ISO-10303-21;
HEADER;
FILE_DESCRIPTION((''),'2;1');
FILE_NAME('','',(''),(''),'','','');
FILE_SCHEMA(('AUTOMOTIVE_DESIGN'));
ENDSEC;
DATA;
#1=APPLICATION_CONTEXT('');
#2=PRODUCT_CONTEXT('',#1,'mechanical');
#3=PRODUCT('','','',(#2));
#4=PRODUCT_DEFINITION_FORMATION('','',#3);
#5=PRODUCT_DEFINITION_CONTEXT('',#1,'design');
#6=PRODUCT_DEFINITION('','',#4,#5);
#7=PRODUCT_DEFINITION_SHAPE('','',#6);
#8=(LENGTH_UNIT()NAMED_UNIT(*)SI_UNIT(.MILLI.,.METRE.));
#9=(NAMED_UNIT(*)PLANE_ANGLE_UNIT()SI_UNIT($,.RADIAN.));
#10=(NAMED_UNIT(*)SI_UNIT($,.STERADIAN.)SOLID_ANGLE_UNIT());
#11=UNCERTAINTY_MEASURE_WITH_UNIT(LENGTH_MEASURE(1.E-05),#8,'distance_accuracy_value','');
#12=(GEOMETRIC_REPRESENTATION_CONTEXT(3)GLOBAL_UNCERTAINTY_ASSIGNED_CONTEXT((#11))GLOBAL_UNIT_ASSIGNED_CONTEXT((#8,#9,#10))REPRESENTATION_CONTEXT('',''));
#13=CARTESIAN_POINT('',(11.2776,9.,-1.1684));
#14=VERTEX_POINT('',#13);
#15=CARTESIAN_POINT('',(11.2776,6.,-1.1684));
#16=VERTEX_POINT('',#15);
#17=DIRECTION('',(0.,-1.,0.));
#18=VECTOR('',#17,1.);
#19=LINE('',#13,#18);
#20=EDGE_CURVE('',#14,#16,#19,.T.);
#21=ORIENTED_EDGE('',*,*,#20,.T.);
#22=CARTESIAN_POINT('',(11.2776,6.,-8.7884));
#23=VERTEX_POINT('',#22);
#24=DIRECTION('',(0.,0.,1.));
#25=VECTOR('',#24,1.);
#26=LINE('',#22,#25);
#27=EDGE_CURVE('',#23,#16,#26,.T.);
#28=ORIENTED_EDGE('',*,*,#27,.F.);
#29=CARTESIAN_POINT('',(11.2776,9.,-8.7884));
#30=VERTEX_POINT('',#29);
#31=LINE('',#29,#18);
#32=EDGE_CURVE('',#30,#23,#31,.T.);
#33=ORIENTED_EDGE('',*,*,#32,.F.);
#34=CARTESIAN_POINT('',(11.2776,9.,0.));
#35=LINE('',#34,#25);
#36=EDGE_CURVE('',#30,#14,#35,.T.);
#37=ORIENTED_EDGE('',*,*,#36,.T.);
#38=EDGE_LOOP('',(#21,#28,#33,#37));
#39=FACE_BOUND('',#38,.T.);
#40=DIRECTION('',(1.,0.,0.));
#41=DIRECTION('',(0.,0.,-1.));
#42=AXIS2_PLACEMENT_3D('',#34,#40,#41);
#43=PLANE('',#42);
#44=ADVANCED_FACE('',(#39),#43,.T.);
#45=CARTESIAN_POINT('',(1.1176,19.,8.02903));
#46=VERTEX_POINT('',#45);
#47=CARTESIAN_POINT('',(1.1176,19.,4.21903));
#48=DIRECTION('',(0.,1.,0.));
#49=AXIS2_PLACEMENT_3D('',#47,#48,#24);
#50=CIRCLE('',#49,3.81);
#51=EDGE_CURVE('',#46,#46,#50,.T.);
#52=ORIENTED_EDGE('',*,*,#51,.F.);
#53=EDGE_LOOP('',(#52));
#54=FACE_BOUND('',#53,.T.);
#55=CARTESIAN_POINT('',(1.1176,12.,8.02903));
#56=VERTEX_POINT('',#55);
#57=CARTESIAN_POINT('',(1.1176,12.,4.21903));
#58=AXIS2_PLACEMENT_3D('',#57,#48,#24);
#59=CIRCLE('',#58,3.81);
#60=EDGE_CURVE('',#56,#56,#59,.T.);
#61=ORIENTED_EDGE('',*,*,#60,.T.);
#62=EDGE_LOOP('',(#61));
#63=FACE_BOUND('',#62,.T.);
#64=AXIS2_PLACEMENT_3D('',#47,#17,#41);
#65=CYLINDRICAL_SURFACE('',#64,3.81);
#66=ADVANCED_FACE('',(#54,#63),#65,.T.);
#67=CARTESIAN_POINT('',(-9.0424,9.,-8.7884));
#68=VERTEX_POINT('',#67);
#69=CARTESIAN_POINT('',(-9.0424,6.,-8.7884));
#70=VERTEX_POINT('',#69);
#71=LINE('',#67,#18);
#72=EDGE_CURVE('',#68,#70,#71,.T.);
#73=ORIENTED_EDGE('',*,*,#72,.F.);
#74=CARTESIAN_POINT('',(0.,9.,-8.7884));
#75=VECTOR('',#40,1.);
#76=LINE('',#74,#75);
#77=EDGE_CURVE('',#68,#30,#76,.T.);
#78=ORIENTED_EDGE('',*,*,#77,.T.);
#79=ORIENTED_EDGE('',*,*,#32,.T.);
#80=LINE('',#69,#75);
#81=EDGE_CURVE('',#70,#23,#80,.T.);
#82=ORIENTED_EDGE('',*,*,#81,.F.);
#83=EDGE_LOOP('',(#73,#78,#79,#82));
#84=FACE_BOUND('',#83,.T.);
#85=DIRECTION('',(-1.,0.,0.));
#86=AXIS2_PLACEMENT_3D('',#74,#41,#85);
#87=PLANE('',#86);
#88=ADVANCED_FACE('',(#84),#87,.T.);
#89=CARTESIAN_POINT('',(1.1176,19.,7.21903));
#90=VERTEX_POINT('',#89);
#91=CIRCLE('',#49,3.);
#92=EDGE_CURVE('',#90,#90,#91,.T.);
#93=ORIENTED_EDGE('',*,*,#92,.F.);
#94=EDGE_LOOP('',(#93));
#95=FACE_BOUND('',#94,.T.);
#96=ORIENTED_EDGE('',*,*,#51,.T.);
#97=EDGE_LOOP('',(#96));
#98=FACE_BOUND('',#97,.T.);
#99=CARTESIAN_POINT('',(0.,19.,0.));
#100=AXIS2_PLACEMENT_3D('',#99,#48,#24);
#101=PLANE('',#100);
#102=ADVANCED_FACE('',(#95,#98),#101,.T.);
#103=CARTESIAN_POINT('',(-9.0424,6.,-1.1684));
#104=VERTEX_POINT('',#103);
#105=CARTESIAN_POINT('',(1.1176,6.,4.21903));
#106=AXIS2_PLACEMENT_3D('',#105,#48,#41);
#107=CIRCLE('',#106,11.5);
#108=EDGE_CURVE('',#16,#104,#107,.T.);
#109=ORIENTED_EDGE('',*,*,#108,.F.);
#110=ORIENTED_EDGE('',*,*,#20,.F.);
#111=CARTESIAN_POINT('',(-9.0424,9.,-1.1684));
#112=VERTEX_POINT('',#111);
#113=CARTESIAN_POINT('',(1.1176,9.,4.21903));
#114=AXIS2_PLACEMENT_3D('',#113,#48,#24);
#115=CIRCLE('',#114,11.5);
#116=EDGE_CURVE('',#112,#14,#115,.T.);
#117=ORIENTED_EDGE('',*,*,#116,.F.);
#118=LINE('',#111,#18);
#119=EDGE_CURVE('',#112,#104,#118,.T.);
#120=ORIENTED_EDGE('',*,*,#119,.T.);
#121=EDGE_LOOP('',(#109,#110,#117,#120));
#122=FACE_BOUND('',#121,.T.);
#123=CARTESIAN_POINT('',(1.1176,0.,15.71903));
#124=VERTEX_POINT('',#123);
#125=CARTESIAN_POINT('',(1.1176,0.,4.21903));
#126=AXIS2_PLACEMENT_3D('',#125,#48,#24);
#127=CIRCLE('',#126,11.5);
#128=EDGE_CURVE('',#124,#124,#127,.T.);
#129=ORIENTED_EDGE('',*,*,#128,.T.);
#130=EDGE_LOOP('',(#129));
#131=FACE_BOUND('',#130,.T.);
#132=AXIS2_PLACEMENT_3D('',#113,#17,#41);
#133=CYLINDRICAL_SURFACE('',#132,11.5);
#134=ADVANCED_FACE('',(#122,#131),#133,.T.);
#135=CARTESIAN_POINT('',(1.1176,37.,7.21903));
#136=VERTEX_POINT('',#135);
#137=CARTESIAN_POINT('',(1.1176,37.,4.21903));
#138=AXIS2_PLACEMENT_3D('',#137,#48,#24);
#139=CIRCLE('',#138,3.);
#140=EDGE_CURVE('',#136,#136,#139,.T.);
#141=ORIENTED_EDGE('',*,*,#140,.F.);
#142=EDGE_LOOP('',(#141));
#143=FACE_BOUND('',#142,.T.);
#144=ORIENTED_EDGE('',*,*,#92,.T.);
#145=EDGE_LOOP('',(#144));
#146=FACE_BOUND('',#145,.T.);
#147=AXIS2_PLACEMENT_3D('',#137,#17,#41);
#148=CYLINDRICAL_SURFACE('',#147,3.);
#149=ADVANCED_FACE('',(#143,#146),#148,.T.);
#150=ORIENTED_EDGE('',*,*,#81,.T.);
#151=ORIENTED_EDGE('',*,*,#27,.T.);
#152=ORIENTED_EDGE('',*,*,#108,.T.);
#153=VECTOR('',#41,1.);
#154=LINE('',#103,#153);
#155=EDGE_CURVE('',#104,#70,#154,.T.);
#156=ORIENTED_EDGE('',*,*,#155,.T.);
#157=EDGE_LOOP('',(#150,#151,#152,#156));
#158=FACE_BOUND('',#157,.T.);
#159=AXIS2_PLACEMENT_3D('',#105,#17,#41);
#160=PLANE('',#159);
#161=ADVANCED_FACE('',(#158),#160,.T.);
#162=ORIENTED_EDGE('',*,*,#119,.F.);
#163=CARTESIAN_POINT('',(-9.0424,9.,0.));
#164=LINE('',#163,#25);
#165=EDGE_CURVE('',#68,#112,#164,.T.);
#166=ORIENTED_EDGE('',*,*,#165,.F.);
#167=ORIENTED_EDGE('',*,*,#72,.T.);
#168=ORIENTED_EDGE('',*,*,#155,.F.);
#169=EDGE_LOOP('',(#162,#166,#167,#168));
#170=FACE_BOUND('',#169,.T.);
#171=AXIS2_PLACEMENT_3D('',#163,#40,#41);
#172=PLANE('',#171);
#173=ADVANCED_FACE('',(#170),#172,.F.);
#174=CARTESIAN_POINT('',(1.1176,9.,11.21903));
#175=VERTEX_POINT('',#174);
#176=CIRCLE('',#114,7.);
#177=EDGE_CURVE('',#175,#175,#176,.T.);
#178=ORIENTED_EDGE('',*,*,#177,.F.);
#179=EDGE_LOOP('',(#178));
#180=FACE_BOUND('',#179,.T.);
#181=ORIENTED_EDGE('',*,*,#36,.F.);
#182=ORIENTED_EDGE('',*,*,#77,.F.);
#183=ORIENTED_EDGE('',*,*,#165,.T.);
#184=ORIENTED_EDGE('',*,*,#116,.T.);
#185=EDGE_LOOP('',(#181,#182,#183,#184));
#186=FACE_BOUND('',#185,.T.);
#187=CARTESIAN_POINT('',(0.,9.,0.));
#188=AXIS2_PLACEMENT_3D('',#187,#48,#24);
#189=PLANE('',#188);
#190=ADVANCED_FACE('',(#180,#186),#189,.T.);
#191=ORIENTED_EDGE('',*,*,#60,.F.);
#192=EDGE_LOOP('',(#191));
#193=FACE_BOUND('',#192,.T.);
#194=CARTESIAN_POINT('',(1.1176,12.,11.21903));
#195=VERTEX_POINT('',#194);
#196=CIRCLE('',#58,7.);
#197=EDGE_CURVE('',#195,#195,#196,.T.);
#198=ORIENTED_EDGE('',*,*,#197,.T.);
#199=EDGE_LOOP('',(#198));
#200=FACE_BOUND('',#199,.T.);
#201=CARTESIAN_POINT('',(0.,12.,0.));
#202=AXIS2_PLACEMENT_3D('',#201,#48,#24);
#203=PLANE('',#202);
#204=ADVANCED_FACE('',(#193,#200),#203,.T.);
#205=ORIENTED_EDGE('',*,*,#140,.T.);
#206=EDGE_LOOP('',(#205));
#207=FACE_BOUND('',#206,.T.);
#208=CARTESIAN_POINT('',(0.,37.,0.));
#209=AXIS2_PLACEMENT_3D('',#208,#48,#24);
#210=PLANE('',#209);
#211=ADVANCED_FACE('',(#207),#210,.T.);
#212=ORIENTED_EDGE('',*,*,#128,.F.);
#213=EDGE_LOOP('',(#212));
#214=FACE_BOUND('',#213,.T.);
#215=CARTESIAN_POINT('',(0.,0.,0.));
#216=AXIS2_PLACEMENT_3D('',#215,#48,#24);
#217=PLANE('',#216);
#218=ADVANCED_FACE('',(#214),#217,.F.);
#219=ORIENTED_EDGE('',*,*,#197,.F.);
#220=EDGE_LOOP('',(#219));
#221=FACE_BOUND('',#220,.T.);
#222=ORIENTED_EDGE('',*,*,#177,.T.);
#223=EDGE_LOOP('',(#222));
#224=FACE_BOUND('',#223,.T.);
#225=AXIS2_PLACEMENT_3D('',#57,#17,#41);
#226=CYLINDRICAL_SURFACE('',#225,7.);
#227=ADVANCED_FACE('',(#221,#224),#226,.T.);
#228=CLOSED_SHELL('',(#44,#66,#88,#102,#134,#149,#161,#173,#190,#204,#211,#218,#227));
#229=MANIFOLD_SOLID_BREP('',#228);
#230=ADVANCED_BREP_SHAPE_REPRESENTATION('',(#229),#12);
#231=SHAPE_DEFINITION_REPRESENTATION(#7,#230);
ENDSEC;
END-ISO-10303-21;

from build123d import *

# Parameters (mm, degrees)
SKETCH1_R           = 7
BOSS_EXTRUDE1_DEPTH = 9
SKETCH1_3_R         = 7
SKETCH1_3_R_2       = 3.81
BOSS_EXTRUDE2_DEPTH = 12
SKETCH1_4_R         = 3.81
SKETCH1_4_R_2       = 3
BOSS_EXTRUDE3_DEPTH = 19
SKETCH1_5_R         = 3
BOSS_EXTRUDE4_DEPTH = 37
CUT_EXTRUDE1_DEPTH  = 6


with BuildPart() as part:
    # Sketch1 → Boss-Extrude1 (new body)
    with BuildSketch(Plane(origin=(0, 0, 0), x_dir=(1, 0, 0), z_dir=(0, 1, 0))):
        with BuildLine():
            Line((11.2776, 8.7884), (-9.0424, 8.7884))
            Line((-9.0424, 8.7884), (-9.0424, 1.1684))
            ThreePointArc((-9.0424, 1.1684), (1.1176, -15.719029814), (11.2776, 1.1684))
            Line((11.2776, 1.1684), (11.2776, 8.7884))
        make_face()
        with Locations((1.1176, -4.219029814)):
            Circle(SKETCH1_R, mode=Mode.SUBTRACT)
    extrude(amount=BOSS_EXTRUDE1_DEPTH)

    # Sketch1<3> → Boss-Extrude2 (add)
    with BuildSketch(Plane(origin=(0, 0, 0), x_dir=(1, 0, 0), z_dir=(0, 1, 0))):
        with Locations((1.1176, -4.219029814)):
            Circle(SKETCH1_3_R)
        with Locations((1.1176, -4.219029814)):
            Circle(SKETCH1_3_R_2, mode=Mode.SUBTRACT)
    extrude(amount=BOSS_EXTRUDE2_DEPTH)

    # Sketch1<4> → Boss-Extrude3 (add)
    with BuildSketch(Plane(origin=(0, 0, 0), x_dir=(1, 0, 0), z_dir=(0, 1, 0))):
        with Locations((1.1176, -4.219029814)):
            Circle(SKETCH1_4_R)
        with Locations((1.1176, -4.219029814)):
            Circle(SKETCH1_4_R_2, mode=Mode.SUBTRACT)
    extrude(amount=BOSS_EXTRUDE3_DEPTH)

    # Sketch1<5> → Boss-Extrude4 (add)
    with BuildSketch(Plane(origin=(0, 0, 0), x_dir=(1, 0, 0), z_dir=(0, 1, 0))):
        with Locations((1.1176, -4.219029814)):
            Circle(SKETCH1_5_R)
    extrude(amount=BOSS_EXTRUDE4_DEPTH)

    # Sketch2 → Cut-Extrude1 (cut)
    with BuildSketch(Plane(origin=(0, 0, 0), x_dir=(-1, 0, 0), z_dir=(0, -1, 0))):
        with BuildLine():
            Line((9.0424, 1.1684), (9.0424, 8.7884))
            Line((9.0424, 8.7884), (-11.2776, 8.7884))
            Line((-11.2776, 8.7884), (-11.2776, 1.1684))
            ThreePointArc((-11.2776, 1.1684), (-1.1176, 7.280970186), (9.0424, 1.1684))
        make_face()
    extrude(amount=-CUT_EXTRUDE1_DEPTH, mode=Mode.SUBTRACT)


solid = part.part
